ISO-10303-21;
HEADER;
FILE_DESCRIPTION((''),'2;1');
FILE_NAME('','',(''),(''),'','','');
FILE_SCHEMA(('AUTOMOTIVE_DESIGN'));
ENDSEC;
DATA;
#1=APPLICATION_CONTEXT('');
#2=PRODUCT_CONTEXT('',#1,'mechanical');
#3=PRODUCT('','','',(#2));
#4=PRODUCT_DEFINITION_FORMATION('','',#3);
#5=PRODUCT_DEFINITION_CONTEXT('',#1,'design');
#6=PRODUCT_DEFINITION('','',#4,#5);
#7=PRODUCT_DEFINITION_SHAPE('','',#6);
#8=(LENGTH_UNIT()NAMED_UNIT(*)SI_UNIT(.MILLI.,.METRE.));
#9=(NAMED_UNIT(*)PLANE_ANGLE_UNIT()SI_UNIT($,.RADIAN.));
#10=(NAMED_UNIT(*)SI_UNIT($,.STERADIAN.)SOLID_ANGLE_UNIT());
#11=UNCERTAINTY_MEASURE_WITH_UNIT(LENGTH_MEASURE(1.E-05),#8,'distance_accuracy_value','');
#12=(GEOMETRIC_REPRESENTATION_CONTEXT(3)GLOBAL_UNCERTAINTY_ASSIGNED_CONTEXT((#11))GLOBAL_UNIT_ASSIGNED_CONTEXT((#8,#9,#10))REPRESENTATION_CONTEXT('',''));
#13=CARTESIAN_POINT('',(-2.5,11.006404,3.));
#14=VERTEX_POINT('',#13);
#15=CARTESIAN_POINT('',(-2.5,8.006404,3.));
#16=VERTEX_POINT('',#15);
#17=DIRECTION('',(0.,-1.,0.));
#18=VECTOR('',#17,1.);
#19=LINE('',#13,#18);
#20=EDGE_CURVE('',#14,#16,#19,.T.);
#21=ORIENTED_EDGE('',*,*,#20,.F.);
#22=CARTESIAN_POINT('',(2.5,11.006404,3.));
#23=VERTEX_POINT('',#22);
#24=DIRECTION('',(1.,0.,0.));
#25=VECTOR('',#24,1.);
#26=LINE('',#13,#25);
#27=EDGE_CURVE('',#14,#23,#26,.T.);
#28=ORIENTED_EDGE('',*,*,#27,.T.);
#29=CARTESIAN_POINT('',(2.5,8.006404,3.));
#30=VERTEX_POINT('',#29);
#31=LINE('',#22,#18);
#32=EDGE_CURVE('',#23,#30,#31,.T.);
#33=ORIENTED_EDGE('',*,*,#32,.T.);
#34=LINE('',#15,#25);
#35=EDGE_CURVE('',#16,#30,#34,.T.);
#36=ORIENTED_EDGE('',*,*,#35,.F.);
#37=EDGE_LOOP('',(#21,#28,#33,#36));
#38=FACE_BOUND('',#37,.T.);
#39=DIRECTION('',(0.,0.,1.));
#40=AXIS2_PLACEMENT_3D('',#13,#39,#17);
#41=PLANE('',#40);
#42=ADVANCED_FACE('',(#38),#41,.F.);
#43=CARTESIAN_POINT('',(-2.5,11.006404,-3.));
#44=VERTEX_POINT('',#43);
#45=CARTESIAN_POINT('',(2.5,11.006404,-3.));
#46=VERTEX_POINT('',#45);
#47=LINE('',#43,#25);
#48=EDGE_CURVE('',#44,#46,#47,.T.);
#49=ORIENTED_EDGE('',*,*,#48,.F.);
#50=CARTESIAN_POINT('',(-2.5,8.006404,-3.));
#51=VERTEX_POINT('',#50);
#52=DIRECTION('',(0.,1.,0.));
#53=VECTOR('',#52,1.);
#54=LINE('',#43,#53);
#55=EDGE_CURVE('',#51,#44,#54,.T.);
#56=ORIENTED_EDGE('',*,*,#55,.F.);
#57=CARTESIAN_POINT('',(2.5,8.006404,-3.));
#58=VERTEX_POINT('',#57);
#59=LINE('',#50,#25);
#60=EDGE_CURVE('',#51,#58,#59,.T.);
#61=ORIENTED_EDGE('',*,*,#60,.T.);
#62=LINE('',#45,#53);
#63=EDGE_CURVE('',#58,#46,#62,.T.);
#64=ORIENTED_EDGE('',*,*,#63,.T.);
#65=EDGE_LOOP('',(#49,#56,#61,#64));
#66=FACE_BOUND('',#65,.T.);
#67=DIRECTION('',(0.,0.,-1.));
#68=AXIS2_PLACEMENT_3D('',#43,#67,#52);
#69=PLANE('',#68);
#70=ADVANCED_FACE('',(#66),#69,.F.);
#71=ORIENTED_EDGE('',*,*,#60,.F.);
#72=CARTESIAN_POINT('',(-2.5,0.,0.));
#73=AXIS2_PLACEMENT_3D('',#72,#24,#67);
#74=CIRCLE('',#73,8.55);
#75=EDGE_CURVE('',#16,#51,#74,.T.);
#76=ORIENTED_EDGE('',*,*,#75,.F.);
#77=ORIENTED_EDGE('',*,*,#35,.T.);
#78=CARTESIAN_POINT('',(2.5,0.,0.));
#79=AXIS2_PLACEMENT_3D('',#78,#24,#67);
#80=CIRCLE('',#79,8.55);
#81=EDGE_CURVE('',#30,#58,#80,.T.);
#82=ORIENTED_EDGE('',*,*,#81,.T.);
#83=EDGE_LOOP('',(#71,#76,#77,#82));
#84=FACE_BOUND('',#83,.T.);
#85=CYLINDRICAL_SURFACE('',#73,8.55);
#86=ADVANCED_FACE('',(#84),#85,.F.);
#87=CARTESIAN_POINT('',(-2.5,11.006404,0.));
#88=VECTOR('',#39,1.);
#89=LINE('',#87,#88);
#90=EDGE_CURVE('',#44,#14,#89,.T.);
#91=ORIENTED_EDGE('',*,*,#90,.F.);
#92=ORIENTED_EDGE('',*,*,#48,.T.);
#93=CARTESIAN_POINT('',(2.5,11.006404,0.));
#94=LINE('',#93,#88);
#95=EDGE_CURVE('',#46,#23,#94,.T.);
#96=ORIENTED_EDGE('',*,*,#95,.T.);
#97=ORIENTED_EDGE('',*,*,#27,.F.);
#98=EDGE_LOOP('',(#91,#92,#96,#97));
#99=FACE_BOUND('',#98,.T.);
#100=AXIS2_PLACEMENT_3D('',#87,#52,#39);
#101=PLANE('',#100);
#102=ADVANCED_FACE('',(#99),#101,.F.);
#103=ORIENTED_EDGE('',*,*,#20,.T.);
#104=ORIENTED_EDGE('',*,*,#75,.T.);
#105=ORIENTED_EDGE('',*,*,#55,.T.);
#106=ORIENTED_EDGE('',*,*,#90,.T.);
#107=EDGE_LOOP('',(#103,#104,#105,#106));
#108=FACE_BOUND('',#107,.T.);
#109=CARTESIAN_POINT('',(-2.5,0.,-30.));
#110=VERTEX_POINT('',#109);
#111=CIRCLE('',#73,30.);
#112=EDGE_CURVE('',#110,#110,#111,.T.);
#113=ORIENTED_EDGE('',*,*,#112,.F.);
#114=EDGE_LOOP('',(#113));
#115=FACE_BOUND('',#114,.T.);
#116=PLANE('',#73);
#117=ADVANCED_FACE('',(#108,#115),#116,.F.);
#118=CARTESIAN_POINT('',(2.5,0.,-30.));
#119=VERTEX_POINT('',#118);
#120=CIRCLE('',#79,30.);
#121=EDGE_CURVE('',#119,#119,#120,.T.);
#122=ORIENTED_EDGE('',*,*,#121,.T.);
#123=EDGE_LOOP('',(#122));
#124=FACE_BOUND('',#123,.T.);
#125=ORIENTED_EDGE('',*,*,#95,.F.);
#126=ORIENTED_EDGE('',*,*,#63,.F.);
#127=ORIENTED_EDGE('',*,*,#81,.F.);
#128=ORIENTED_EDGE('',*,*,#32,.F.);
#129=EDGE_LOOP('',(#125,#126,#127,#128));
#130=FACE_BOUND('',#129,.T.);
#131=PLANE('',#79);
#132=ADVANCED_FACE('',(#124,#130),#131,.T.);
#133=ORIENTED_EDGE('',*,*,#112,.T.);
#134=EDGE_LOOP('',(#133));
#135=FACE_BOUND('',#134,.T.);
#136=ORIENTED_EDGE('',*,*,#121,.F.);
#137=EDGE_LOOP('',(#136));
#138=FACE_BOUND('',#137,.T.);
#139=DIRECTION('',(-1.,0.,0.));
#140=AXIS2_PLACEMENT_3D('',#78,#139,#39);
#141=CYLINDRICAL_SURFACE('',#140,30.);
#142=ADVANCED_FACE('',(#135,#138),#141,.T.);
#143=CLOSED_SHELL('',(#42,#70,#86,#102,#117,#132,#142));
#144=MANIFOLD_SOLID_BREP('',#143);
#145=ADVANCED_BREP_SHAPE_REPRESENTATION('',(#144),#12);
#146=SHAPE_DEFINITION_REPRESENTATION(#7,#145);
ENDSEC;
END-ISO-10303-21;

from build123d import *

# Parameters (mm, degrees)
SKETCH1_R           = 30
BOSS_EXTRUDE1_DEPTH = 2.5
CUT_EXTRUDE4_DEPTH  = 43.720018727


with BuildPart() as part:
    # Sketch1 → Boss-Extrude1 (new, symmetric)
    with BuildSketch(Plane(origin=(0, 0, 0), x_dir=(0, 0, -1), z_dir=(1, 0, 0))):
        Circle(SKETCH1_R)
    extrude(amount=BOSS_EXTRUDE1_DEPTH, both=True)

    # Sketch8 → Cut-Extrude4 (cut, through all)
    with BuildSketch(Plane(origin=(2.5, 0, 0), x_dir=(0, 0, -1), z_dir=(1, 0, 0))):
        with BuildLine():
            Line((0, 11.006403687), (-3, 11.006403687))
            Line((-3, 11.006403687), (-3, 8.006403687))
            ThreePointArc((-3, 8.006403687), (0, -8.55), (3, 8.006403687))
            Line((3, 8.006403687), (3, 11.006403687))
            Line((3, 11.006403687), (0, 11.006403687))
        make_face()
    extrude(amount=-CUT_EXTRUDE4_DEPTH, mode=Mode.SUBTRACT)


solid = part.part
